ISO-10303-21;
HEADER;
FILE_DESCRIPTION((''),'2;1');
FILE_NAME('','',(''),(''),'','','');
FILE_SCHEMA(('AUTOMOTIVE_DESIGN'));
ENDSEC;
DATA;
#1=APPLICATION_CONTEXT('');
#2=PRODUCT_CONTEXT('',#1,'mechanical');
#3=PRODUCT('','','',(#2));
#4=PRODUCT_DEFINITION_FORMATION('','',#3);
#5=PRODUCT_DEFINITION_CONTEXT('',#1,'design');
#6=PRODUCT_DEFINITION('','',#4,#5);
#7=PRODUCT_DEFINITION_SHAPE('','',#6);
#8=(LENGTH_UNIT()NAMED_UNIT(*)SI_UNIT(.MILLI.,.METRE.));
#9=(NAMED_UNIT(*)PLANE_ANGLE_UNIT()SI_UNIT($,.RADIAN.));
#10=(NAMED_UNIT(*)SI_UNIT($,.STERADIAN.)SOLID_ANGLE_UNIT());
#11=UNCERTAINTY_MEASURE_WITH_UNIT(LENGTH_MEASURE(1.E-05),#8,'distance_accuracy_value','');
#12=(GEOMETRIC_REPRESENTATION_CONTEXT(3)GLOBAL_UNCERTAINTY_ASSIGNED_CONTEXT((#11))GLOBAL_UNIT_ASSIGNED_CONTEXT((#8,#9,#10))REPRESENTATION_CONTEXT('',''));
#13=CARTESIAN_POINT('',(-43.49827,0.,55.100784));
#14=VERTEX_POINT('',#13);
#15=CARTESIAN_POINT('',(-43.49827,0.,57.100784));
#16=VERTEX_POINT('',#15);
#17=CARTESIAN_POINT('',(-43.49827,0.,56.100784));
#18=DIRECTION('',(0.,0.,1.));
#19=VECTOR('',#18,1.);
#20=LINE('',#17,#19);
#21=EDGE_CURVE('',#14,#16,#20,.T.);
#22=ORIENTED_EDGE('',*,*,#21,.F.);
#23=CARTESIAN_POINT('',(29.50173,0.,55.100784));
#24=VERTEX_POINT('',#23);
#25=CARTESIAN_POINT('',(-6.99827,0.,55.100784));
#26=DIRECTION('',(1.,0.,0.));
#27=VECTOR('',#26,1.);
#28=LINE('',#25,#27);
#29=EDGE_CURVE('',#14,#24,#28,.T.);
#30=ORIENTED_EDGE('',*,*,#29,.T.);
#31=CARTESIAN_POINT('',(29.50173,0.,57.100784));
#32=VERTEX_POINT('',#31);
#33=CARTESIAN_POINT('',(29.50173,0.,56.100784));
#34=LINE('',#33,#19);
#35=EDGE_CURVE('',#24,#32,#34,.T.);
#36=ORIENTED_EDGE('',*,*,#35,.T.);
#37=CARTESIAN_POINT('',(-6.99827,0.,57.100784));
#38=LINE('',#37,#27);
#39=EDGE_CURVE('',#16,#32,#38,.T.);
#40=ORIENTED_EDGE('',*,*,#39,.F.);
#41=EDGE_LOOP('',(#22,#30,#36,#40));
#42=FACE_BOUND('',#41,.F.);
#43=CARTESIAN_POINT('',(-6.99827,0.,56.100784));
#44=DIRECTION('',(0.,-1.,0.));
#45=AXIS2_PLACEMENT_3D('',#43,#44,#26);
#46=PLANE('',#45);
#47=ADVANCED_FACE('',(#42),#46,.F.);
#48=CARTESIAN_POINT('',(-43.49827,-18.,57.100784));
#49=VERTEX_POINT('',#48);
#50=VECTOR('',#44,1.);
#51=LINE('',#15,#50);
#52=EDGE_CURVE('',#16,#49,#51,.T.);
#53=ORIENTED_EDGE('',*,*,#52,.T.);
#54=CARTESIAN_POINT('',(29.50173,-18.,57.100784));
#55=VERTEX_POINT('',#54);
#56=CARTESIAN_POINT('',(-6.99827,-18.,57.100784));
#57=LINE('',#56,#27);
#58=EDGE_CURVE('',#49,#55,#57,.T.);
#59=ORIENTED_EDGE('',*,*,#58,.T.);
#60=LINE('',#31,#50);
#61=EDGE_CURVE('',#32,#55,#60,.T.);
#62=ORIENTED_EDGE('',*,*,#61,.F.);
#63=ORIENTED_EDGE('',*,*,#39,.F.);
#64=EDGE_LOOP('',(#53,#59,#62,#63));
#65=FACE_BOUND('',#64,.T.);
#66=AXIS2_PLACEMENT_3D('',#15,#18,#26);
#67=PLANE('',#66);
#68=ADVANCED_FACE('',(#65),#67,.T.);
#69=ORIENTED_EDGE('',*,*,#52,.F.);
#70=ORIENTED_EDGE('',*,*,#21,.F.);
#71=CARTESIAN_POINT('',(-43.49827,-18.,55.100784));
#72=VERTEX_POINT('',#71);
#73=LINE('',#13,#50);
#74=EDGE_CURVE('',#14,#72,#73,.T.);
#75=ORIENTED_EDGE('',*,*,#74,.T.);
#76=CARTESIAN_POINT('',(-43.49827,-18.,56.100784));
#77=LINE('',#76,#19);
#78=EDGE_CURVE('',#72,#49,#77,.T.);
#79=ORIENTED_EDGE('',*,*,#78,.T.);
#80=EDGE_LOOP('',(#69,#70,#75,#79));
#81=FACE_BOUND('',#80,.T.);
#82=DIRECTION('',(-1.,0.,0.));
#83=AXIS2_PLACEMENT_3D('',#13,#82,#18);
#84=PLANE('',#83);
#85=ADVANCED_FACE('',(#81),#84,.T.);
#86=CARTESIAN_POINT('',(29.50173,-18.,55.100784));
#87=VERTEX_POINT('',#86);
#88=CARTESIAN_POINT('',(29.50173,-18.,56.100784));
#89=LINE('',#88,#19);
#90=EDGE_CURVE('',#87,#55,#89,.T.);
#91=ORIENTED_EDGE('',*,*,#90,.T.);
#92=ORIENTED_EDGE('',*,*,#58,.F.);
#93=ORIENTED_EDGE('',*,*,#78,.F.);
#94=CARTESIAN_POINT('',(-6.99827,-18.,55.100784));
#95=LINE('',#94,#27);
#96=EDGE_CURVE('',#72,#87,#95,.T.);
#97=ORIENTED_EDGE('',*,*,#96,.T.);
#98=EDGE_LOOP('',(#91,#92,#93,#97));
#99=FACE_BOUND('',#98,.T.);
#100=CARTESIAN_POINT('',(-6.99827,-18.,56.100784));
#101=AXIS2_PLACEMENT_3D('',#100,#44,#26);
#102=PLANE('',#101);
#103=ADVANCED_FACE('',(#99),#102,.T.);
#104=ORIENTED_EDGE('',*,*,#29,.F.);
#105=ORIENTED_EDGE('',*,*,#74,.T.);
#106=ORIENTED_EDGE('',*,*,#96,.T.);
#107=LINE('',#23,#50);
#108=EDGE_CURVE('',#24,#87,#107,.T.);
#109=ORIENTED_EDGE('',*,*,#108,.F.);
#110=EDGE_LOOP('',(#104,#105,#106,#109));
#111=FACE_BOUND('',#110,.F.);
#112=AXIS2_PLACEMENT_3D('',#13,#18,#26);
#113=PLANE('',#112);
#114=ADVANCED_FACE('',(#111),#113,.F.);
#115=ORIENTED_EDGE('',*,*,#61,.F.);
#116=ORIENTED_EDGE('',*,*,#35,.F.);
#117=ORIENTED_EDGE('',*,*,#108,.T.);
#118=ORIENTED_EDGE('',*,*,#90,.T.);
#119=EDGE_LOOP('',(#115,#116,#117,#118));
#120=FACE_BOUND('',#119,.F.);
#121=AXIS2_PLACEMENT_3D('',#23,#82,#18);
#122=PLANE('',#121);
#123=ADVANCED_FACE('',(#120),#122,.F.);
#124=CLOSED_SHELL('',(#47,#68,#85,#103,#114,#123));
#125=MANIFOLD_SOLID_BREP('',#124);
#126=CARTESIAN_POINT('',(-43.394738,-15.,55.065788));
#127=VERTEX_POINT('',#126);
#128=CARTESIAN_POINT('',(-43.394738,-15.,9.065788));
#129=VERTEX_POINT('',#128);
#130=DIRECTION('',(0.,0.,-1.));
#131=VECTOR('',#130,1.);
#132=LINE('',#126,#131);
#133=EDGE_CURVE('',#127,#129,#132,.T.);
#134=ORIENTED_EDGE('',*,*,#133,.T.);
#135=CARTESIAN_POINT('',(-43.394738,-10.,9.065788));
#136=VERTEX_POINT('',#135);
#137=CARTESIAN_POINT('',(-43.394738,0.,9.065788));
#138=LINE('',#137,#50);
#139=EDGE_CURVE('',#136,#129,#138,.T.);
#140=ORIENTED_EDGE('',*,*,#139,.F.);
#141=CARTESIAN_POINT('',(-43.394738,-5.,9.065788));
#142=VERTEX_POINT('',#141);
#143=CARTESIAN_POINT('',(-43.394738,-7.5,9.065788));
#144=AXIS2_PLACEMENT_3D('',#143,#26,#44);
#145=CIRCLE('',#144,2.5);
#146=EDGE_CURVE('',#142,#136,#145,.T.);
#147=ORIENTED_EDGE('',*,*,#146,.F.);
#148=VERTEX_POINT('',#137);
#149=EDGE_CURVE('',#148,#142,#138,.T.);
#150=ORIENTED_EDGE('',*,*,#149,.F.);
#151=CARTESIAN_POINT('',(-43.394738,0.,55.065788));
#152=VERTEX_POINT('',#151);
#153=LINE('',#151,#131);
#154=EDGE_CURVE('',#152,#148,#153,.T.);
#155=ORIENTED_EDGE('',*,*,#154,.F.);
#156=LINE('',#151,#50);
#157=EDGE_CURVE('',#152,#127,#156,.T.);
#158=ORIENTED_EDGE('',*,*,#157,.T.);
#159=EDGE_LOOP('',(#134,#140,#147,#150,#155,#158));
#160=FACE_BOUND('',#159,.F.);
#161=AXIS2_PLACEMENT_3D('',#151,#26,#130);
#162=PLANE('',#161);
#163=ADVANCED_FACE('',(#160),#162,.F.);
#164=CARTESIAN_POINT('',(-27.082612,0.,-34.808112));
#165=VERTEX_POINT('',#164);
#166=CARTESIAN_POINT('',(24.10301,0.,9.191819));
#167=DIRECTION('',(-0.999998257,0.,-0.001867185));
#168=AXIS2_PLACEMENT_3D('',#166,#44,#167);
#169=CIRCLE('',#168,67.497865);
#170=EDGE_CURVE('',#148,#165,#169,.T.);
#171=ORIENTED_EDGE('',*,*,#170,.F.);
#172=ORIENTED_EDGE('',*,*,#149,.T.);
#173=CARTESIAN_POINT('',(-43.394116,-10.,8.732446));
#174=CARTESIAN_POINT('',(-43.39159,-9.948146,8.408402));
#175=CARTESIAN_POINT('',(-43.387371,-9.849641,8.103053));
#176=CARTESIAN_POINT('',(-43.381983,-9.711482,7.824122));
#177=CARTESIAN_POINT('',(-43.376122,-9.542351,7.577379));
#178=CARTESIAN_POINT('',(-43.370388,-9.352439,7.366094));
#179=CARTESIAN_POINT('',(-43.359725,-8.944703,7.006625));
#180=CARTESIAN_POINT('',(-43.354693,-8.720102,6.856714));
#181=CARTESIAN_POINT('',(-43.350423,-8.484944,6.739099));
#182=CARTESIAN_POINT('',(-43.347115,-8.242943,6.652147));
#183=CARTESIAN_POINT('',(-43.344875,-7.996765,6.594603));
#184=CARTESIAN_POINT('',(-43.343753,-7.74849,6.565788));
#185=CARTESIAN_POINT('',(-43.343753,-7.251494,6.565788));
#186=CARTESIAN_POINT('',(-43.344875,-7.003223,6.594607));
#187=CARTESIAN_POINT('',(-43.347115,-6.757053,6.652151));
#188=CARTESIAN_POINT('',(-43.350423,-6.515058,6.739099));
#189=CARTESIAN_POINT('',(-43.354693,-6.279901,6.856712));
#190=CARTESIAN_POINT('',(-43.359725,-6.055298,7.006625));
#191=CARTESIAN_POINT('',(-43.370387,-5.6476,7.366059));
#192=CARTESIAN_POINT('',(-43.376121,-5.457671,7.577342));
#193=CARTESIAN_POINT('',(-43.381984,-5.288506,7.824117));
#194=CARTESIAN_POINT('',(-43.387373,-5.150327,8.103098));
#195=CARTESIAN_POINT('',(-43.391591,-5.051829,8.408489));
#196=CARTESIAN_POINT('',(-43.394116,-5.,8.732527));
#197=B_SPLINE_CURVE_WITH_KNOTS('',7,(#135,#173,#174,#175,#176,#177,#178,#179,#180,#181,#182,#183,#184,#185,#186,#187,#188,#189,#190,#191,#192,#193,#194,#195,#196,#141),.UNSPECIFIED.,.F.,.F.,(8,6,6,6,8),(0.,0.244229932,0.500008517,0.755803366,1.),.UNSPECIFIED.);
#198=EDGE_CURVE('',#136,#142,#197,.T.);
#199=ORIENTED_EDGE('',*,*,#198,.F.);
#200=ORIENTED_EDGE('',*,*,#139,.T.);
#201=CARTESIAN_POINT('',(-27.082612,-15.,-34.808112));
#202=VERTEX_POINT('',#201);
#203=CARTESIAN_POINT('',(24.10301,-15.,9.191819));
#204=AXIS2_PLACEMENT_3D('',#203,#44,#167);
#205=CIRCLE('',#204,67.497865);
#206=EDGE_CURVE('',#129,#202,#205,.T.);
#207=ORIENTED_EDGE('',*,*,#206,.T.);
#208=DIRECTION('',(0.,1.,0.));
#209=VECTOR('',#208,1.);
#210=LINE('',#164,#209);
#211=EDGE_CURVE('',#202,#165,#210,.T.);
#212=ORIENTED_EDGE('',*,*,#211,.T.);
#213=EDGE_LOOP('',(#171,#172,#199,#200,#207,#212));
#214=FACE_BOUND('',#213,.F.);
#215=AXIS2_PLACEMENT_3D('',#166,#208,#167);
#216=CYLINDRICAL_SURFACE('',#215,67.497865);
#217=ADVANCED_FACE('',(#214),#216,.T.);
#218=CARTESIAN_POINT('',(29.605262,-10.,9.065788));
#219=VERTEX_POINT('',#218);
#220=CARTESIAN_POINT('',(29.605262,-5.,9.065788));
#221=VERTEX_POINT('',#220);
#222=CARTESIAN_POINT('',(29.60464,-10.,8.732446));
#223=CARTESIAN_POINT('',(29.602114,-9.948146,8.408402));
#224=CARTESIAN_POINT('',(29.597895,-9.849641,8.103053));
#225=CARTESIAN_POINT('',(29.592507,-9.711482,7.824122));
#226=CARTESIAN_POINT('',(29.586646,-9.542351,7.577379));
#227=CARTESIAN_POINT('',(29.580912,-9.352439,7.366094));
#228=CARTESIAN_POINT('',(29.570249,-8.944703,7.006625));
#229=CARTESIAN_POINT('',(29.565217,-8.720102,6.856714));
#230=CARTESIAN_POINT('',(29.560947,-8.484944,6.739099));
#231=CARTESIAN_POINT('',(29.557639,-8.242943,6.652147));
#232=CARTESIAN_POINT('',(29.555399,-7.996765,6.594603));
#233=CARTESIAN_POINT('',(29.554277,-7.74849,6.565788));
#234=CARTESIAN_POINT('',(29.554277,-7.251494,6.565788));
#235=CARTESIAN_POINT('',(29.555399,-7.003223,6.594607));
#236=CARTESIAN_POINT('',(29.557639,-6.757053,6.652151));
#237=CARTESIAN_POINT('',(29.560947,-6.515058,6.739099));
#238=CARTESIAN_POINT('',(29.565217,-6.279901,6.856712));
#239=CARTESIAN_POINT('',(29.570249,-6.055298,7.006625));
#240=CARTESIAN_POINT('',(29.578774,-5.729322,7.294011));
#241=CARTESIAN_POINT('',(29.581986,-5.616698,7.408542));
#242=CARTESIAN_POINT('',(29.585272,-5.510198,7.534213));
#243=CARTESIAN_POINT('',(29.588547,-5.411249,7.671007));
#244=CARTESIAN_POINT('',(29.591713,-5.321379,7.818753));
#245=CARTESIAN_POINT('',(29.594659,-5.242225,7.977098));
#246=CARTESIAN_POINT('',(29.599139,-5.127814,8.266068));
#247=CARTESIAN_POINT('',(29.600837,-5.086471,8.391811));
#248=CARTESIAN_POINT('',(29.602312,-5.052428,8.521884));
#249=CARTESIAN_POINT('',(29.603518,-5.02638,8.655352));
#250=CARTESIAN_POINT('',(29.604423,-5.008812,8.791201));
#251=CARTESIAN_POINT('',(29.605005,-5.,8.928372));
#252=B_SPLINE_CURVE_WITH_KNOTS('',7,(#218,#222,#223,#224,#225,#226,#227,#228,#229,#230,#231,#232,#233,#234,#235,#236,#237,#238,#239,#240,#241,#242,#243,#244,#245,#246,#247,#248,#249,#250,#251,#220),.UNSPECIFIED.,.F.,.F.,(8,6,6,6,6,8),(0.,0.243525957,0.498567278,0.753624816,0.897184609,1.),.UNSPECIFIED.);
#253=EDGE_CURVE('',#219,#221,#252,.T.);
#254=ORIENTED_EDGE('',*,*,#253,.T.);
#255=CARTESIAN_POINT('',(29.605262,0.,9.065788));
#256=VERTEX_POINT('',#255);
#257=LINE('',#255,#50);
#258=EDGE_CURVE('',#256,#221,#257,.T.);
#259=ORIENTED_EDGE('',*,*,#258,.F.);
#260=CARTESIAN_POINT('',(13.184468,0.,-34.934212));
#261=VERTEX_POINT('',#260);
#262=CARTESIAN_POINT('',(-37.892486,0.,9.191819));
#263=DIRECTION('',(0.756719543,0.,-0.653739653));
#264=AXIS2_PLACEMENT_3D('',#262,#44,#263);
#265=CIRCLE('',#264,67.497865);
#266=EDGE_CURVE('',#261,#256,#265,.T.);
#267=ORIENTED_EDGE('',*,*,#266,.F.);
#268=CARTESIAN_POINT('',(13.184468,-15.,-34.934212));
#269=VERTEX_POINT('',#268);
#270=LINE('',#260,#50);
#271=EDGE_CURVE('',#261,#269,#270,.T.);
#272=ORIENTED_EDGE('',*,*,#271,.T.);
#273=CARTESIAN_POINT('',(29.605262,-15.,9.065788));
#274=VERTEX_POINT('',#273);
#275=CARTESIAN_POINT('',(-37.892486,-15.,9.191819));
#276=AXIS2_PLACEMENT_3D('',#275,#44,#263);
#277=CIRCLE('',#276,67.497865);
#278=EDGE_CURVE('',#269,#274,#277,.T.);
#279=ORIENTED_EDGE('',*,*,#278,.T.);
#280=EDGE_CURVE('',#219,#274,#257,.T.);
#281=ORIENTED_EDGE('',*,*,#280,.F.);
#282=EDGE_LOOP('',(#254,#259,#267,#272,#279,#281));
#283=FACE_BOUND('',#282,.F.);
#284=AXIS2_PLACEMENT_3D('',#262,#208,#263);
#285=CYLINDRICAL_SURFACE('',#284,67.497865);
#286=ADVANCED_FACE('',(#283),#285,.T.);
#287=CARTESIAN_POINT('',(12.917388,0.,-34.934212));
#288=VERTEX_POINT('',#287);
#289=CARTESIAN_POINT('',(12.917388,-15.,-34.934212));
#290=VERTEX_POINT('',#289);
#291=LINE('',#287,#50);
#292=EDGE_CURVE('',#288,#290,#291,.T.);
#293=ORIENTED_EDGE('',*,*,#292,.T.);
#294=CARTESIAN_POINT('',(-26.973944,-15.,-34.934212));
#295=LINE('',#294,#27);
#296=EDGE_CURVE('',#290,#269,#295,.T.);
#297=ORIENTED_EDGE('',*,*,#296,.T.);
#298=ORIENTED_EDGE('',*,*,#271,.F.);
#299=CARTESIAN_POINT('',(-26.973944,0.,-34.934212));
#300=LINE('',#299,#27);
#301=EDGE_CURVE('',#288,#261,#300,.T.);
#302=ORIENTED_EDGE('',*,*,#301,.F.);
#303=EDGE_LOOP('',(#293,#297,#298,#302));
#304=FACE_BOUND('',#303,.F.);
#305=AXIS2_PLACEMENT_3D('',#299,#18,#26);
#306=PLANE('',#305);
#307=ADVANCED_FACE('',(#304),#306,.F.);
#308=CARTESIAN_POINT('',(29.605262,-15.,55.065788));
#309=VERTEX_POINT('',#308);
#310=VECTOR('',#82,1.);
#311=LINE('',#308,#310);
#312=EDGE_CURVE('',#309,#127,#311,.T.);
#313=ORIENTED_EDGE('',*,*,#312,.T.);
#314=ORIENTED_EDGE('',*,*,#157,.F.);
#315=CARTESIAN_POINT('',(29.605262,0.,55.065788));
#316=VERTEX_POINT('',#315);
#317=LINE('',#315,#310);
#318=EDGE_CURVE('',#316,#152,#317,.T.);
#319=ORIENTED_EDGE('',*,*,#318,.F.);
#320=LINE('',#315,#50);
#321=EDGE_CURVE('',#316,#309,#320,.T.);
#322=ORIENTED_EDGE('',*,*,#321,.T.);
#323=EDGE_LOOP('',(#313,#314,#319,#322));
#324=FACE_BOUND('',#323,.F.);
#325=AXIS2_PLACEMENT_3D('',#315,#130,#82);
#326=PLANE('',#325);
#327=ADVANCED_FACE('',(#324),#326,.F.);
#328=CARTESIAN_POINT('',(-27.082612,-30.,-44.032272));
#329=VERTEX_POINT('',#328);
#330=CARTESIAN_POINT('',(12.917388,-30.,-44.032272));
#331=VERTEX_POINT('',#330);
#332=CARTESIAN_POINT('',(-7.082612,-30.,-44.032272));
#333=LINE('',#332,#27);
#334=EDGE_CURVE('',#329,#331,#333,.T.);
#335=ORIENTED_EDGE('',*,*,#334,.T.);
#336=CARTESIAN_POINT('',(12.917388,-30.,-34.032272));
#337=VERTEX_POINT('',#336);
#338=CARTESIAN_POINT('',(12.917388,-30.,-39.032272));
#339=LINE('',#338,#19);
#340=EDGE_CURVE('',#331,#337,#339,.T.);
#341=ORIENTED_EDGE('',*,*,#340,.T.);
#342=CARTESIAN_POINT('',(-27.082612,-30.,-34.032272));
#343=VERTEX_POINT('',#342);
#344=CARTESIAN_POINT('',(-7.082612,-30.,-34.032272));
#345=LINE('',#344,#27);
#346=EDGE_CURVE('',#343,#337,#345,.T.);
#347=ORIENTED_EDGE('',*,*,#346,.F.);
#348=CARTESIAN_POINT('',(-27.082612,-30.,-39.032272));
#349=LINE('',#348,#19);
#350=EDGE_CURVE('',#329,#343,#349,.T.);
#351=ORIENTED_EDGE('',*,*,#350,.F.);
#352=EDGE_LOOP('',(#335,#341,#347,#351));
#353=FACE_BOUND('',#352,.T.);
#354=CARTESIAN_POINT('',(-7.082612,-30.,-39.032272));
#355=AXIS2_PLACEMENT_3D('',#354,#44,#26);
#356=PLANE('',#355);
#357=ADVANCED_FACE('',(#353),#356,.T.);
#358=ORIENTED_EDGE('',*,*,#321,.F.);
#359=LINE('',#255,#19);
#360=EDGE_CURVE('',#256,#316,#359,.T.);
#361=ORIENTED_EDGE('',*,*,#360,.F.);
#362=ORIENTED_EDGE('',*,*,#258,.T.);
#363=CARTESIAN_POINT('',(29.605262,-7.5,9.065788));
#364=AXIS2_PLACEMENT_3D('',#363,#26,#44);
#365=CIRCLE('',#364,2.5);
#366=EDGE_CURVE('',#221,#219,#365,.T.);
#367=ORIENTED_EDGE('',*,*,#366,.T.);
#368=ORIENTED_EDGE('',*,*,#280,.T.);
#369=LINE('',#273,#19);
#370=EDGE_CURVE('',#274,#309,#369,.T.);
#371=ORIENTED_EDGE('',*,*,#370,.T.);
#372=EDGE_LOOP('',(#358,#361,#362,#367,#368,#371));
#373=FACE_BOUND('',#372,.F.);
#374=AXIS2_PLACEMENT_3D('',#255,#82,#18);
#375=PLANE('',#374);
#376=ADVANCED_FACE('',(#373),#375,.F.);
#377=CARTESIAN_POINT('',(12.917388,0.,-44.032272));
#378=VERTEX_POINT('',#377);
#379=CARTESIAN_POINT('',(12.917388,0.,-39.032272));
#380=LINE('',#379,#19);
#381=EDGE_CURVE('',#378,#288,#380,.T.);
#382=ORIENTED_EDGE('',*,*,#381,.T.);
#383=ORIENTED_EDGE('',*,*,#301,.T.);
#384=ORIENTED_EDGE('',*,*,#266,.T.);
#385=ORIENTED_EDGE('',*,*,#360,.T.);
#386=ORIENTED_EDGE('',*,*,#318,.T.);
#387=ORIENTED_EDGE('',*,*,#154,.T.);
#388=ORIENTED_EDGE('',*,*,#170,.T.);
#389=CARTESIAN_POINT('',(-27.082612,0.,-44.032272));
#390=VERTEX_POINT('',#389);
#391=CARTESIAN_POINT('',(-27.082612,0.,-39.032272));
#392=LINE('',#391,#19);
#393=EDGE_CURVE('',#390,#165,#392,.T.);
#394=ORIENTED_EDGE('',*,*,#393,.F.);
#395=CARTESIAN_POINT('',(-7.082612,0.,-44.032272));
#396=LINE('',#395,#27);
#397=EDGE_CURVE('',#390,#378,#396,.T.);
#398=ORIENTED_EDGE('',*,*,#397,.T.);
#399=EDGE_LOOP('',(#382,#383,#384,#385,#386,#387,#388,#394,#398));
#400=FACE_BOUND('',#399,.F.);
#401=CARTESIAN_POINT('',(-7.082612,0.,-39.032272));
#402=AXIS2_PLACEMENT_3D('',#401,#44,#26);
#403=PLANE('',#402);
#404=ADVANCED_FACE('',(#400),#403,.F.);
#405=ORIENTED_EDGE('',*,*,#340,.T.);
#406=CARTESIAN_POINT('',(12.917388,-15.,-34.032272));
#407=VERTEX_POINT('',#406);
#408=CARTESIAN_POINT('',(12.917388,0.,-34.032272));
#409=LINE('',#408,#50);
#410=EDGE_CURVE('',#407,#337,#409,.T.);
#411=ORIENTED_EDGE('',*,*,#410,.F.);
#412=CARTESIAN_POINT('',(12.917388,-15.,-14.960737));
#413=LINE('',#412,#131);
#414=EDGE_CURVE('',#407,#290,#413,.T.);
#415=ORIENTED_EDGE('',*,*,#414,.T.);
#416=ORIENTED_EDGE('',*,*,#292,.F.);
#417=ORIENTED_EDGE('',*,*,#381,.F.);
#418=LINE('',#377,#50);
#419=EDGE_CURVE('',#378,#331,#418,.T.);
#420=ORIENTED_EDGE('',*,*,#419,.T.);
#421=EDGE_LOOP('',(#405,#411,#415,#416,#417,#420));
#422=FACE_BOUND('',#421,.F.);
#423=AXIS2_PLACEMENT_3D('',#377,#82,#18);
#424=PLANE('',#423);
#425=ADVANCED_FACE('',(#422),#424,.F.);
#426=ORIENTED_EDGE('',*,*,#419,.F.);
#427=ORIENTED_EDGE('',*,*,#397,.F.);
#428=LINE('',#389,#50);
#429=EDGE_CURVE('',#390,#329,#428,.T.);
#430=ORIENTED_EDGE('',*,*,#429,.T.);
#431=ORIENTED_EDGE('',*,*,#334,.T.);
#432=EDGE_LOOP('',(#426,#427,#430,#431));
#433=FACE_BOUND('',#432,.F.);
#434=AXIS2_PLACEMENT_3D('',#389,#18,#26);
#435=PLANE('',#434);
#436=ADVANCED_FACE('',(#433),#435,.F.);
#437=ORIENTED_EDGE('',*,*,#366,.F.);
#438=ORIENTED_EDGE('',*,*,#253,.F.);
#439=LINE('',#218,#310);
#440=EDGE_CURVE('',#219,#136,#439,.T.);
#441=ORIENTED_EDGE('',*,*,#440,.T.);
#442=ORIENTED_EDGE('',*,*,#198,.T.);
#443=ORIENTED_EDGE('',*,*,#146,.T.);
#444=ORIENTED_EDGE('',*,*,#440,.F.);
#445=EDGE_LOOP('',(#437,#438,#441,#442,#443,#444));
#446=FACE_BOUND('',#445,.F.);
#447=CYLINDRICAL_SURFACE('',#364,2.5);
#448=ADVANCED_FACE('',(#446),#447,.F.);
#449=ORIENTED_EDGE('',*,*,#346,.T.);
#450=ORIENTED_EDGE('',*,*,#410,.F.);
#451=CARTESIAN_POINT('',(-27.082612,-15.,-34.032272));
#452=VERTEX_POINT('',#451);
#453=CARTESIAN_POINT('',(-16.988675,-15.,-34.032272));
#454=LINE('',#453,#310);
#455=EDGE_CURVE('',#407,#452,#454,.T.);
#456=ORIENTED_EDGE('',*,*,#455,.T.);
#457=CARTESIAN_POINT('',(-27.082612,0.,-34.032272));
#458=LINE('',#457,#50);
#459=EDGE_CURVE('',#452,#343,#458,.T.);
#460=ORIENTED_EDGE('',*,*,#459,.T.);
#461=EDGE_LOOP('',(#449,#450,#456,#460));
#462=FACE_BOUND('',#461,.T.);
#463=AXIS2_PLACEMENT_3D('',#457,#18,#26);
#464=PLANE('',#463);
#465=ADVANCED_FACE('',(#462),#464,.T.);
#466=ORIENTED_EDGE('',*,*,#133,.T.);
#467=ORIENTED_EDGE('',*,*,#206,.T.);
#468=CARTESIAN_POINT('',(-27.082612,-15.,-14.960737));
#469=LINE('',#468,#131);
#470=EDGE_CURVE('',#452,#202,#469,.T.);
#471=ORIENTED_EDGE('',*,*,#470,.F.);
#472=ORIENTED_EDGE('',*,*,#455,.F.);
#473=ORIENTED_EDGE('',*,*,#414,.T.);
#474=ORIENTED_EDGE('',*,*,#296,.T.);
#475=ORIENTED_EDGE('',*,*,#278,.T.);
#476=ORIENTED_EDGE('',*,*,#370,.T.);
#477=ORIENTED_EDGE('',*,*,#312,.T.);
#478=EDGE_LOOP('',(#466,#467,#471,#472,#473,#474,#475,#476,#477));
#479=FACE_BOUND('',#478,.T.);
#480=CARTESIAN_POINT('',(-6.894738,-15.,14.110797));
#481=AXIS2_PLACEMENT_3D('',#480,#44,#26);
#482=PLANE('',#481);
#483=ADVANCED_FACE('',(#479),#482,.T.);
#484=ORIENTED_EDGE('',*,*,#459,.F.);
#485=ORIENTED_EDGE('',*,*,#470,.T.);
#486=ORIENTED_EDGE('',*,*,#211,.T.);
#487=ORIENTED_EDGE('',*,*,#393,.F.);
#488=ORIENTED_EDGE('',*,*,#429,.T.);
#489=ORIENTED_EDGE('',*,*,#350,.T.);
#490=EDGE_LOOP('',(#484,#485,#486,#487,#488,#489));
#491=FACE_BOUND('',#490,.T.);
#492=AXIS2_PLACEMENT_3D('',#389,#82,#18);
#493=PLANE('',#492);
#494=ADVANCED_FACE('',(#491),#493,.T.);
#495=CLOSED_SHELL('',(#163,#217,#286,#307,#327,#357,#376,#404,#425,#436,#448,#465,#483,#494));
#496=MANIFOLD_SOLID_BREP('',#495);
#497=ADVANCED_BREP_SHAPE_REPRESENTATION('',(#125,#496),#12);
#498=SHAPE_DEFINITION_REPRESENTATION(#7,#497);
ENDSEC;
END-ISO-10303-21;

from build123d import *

# Parameters (mm, degrees)
F4_DEPTH = 15
F2_W     = 40
F2_H     = 10
F5_DEPTH = 30
F3_W     = 73
F3_H     = 2
F6_DEPTH = 18
F8_DEPTH = 88


with BuildPart() as f4:
    # F1 (on Front) → F4 (new body)
    with BuildSketch(Plane.XZ):
        with BuildLine():
            ThreePointArc((-43.3947380185, 9.0657884777), (-39.1345579648, -14.4084319097), (-26.9739441574, -34.9342115223))
            Line((-26.9739441574, -34.9342115223), (13.1844681203, -34.9342115223))
            ThreePointArc((13.1844681203, -34.9342115223), (25.3450819278, -14.4084319097), (29.6052619815, 9.0657884777))
            Line((29.6052619815, 9.0657884777), (29.6052619815, 53.0657884777))
            Line((29.6052619815, 53.0657884777), (29.6052619815, 55.0657884777))
            Line((29.6052619815, 55.0657884777), (-43.3947380185, 55.0657884777))
            Line((-43.3947380185, 55.0657884777), (-43.3947380185, 53.0657884777))
            Line((-43.3947380185, 53.0657884777), (-43.3947380185, 9.0657884777))
        make_face()
    extrude(amount=F4_DEPTH)

    # F2 (on Front) → F5 (join)
    with BuildSketch(Plane.XZ):
        with Locations((-7.0826117694, -39.0322719514)):
            Rectangle(F2_W, F2_H)
    extrude(amount=F5_DEPTH)

    # F7 (on face) → F8 (cut)
    with BuildSketch(Plane.YZ.offset(29.6052619815)):
        with BuildLine():
            Line((-10, 9.0657884777), (-5, 9.0657884777))
            ThreePointArc((-5, 9.0657884777), (-7.5, 11.5657884777), (-10, 9.0657884777))
        make_face()
        with BuildLine():
            ThreePointArc((-10, 9.0657884777), (-7.5, 6.5657884777), (-5, 9.0657884777))
            Line((-5, 9.0657884777), (-10, 9.0657884777))
        make_face()
    extrude(amount=-F8_DEPTH, mode=Mode.SUBTRACT)


with BuildPart() as f6:
    # F3 (on Front) → F6 (new body)
    with BuildSketch(Plane.XZ):
        with Locations((-6.9982702136, 56.1007837057)):
            Rectangle(F3_W, F3_H)
    extrude(amount=F6_DEPTH)


solid = Compound([f4.part, f6.part])
